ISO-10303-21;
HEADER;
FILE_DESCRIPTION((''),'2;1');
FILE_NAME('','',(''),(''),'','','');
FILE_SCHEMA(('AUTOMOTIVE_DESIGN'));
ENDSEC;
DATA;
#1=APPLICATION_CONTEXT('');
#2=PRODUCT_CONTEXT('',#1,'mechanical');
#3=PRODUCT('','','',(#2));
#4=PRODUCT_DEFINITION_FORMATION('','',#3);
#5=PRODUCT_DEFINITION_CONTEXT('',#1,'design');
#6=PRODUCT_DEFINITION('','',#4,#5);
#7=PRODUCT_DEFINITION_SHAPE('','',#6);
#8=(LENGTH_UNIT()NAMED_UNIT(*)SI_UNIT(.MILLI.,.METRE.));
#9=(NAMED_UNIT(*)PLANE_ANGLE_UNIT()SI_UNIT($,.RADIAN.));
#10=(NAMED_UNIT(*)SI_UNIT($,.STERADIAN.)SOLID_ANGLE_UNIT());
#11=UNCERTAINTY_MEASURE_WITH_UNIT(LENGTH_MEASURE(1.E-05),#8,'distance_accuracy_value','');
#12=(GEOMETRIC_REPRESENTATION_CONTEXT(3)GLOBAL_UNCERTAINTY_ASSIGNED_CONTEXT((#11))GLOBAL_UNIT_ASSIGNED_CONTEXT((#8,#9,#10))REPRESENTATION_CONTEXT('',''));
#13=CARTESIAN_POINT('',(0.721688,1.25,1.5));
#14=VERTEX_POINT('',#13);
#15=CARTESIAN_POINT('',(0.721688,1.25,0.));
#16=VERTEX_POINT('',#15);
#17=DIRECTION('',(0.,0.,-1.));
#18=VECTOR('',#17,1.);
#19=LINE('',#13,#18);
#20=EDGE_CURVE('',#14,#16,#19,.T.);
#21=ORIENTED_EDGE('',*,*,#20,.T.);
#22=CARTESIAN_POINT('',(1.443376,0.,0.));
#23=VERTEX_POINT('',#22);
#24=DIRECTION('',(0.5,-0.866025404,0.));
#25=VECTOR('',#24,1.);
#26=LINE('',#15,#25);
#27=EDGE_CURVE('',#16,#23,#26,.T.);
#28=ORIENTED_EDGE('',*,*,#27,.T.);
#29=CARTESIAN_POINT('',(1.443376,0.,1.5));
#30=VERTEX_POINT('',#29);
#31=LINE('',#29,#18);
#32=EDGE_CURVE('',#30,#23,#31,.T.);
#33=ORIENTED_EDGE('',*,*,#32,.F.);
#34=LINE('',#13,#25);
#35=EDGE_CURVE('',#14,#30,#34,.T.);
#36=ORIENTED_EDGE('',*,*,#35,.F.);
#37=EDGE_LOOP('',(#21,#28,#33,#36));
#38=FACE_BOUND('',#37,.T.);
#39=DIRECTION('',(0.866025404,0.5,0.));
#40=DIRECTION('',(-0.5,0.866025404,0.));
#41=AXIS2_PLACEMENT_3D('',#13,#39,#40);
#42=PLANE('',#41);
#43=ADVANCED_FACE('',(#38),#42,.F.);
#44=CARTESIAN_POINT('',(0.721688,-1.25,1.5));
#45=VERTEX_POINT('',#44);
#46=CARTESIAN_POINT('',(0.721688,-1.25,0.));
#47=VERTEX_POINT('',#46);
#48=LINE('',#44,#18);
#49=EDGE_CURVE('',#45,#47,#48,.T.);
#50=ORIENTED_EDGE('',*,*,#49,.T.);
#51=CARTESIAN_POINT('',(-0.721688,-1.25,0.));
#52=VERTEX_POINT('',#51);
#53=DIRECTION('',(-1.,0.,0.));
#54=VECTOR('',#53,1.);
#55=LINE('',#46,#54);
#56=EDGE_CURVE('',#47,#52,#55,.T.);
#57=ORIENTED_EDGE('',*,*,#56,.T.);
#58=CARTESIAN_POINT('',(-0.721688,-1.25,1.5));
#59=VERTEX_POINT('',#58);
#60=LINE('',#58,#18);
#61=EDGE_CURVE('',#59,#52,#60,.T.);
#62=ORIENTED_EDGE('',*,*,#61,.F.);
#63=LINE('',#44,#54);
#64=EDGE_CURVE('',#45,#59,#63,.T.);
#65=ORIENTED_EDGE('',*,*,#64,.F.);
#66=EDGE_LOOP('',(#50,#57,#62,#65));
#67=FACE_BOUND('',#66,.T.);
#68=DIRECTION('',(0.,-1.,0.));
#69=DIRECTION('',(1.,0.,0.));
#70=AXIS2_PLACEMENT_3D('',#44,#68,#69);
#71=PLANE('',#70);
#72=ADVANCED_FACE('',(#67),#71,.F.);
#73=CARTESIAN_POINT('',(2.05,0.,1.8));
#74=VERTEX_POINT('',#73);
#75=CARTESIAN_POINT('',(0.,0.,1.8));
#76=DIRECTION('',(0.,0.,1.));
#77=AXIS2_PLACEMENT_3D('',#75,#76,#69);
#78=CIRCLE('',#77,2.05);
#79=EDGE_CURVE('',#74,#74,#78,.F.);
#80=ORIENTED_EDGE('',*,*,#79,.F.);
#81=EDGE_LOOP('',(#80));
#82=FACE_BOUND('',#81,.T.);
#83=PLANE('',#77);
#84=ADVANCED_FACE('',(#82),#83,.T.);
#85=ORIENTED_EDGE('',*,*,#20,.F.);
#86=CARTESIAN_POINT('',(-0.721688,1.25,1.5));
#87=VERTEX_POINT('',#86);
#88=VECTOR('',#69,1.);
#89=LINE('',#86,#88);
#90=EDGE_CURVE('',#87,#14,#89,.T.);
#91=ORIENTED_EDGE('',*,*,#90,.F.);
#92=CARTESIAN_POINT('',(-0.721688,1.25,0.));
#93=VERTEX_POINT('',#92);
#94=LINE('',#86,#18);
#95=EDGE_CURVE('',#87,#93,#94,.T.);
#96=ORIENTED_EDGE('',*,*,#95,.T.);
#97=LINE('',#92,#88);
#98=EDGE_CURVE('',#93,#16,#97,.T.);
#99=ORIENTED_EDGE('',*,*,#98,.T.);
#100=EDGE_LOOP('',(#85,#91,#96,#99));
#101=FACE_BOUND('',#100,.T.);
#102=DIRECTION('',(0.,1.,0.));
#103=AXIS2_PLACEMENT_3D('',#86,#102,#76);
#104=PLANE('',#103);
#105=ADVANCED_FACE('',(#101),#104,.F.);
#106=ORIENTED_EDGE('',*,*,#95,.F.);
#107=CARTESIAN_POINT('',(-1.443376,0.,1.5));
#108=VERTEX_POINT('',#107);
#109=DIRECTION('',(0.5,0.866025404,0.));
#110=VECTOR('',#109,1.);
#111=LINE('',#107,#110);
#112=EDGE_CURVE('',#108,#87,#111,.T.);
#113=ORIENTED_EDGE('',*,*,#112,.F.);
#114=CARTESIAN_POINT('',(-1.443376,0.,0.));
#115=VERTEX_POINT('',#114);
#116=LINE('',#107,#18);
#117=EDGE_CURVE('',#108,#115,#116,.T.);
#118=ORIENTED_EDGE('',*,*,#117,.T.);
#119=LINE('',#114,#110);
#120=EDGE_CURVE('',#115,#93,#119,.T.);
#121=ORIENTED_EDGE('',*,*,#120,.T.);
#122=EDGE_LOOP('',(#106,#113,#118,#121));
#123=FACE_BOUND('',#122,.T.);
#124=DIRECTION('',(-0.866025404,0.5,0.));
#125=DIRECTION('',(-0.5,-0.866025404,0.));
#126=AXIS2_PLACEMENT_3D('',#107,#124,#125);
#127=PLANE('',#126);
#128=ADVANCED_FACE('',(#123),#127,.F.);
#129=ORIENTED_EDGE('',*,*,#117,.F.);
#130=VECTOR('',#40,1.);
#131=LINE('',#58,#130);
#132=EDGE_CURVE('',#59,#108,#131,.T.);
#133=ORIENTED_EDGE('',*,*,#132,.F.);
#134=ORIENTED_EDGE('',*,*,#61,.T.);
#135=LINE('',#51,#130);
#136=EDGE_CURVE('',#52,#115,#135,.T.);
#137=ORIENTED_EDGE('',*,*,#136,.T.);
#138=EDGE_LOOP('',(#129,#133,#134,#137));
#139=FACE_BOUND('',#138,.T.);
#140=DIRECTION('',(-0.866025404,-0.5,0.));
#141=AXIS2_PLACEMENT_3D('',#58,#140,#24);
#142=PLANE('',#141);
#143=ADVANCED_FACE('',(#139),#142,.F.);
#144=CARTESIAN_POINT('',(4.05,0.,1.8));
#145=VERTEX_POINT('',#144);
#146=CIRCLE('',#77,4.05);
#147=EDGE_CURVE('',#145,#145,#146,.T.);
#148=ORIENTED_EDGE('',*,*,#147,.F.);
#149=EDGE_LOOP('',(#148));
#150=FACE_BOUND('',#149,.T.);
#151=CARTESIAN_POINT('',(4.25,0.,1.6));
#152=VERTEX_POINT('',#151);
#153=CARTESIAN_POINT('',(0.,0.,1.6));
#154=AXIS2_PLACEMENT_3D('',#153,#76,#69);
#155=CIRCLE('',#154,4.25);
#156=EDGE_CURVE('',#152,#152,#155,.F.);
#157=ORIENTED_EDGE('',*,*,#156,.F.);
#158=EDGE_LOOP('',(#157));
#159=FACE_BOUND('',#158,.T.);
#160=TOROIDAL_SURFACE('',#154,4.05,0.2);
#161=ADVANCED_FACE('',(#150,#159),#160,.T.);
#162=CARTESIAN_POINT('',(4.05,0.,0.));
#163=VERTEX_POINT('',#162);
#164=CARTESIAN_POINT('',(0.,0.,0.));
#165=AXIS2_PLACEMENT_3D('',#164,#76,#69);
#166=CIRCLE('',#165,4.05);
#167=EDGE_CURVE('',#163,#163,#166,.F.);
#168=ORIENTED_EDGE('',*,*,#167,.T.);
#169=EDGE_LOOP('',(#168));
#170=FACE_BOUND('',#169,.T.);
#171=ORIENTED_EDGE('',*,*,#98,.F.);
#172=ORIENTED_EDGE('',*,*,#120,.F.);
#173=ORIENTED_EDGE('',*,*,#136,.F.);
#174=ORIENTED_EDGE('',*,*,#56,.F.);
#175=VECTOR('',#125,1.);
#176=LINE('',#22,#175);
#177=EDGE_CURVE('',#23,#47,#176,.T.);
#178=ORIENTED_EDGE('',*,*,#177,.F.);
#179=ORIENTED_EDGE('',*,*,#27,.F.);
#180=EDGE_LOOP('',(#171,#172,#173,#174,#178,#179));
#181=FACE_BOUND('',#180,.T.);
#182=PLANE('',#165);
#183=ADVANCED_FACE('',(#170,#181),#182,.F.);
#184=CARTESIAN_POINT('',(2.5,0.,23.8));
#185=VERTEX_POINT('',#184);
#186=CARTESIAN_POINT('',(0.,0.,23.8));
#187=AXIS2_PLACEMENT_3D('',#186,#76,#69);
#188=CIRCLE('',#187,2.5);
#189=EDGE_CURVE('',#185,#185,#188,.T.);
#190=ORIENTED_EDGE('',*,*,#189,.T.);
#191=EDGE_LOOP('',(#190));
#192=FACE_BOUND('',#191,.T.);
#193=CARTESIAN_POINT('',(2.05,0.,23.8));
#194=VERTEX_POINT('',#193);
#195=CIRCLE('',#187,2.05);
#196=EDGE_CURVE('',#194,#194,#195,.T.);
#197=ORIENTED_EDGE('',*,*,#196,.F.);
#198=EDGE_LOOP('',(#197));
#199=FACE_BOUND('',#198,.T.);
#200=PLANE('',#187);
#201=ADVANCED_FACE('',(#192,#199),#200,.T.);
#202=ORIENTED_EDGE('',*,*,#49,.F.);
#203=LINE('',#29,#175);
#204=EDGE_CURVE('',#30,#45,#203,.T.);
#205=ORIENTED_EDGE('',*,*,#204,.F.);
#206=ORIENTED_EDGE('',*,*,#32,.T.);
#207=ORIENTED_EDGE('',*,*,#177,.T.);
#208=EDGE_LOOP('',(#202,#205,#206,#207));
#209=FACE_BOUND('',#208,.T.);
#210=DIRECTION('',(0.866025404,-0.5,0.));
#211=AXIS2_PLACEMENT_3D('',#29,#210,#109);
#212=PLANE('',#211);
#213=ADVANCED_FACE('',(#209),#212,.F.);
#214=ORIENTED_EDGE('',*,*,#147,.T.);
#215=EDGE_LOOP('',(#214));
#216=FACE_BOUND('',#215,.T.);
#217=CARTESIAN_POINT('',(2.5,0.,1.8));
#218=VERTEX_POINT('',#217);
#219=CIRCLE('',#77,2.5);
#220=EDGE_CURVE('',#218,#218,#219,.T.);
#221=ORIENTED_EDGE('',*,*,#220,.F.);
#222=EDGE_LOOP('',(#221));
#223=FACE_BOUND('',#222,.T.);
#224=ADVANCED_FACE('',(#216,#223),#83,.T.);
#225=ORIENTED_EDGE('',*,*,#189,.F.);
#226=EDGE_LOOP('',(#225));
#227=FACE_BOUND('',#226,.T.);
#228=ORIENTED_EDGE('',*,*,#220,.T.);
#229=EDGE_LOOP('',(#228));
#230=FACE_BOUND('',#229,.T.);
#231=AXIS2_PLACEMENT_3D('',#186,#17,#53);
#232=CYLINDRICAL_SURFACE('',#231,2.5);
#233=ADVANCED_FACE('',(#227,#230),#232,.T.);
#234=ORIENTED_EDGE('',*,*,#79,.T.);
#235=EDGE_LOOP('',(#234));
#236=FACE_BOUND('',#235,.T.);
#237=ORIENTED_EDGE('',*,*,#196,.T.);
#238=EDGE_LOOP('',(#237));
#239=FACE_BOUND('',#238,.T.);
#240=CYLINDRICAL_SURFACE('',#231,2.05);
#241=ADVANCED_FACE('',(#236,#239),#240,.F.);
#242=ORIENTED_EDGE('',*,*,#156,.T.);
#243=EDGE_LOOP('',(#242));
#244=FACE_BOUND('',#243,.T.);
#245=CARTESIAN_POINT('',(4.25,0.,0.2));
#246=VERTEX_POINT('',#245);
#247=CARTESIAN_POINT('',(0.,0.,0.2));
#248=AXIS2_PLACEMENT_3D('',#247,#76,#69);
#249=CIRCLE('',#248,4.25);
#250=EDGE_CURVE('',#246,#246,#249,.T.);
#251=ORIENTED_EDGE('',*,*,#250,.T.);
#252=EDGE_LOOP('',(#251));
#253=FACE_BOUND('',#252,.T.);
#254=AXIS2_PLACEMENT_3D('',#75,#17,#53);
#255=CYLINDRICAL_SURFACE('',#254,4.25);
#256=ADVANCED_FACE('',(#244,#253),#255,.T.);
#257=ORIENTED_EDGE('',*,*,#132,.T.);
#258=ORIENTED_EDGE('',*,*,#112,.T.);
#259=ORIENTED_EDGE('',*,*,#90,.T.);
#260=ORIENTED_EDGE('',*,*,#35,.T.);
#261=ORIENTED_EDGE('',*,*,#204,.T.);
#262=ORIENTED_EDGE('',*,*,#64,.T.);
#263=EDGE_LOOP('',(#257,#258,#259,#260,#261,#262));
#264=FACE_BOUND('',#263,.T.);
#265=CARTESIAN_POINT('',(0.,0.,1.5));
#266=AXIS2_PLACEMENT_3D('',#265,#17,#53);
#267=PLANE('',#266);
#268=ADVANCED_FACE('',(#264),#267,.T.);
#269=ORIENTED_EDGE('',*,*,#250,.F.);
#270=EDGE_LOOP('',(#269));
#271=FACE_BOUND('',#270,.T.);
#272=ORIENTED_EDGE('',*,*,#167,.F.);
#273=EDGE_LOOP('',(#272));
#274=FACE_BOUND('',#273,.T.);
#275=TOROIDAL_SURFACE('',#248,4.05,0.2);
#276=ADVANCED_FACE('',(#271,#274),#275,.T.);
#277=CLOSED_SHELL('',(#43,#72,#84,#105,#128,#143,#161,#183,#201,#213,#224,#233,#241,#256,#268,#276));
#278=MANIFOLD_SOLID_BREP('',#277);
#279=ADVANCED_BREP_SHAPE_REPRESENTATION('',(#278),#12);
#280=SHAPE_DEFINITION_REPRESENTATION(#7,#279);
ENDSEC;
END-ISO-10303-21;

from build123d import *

# Parameters (mm, degrees)
SKETCH_1_R          = 4.25
EXTRUDE_1_DEPTH     = 1.8
SKETCH_2_R          = 2.5
SKETCH_2_R_2        = 2.05
EXTRUDE_2_DEPTH     = 22
FILLET_1_R          = 0.2
CUT_EXTRUDE_1_DEPTH = 1.5


with BuildPart() as part:
    # 草图1 → 凸台-拉伸1 (new body)
    with BuildSketch(Plane.XY):
        Circle(SKETCH_1_R)
    extrude(amount=EXTRUDE_1_DEPTH)

    # 草图2 → 凸台-拉伸2 (add)
    with BuildSketch(Plane.XY.offset(1.8)):
        Circle(SKETCH_2_R)
        Circle(SKETCH_2_R_2, mode=Mode.SUBTRACT)
    extrude(amount=EXTRUDE_2_DEPTH)

    # 圆角1
    fillet_1_edges = [part.edges().sort_by_distance(p)[0] for p in [
        (-4.25, 0, 0),
        (-4.25, 0, 1.8),
    ]]
    fillet(fillet_1_edges, radius=FILLET_1_R)

    # 草图3 → 切除-拉伸1 (cut)
    with BuildSketch(Plane(origin=(0, 0, 0), x_dir=(-1, 0, 0), z_dir=(0, 0, -1))):
        Polygon((1.443375673, 0), (0.721687836, 1.25), (-0.721687836, 1.25), (-1.443375673, 0), (-0.721687836, -1.25), (0.721687836, -1.25), align=None)
    extrude(amount=-CUT_EXTRUDE_1_DEPTH, mode=Mode.SUBTRACT)


solid = part.part
